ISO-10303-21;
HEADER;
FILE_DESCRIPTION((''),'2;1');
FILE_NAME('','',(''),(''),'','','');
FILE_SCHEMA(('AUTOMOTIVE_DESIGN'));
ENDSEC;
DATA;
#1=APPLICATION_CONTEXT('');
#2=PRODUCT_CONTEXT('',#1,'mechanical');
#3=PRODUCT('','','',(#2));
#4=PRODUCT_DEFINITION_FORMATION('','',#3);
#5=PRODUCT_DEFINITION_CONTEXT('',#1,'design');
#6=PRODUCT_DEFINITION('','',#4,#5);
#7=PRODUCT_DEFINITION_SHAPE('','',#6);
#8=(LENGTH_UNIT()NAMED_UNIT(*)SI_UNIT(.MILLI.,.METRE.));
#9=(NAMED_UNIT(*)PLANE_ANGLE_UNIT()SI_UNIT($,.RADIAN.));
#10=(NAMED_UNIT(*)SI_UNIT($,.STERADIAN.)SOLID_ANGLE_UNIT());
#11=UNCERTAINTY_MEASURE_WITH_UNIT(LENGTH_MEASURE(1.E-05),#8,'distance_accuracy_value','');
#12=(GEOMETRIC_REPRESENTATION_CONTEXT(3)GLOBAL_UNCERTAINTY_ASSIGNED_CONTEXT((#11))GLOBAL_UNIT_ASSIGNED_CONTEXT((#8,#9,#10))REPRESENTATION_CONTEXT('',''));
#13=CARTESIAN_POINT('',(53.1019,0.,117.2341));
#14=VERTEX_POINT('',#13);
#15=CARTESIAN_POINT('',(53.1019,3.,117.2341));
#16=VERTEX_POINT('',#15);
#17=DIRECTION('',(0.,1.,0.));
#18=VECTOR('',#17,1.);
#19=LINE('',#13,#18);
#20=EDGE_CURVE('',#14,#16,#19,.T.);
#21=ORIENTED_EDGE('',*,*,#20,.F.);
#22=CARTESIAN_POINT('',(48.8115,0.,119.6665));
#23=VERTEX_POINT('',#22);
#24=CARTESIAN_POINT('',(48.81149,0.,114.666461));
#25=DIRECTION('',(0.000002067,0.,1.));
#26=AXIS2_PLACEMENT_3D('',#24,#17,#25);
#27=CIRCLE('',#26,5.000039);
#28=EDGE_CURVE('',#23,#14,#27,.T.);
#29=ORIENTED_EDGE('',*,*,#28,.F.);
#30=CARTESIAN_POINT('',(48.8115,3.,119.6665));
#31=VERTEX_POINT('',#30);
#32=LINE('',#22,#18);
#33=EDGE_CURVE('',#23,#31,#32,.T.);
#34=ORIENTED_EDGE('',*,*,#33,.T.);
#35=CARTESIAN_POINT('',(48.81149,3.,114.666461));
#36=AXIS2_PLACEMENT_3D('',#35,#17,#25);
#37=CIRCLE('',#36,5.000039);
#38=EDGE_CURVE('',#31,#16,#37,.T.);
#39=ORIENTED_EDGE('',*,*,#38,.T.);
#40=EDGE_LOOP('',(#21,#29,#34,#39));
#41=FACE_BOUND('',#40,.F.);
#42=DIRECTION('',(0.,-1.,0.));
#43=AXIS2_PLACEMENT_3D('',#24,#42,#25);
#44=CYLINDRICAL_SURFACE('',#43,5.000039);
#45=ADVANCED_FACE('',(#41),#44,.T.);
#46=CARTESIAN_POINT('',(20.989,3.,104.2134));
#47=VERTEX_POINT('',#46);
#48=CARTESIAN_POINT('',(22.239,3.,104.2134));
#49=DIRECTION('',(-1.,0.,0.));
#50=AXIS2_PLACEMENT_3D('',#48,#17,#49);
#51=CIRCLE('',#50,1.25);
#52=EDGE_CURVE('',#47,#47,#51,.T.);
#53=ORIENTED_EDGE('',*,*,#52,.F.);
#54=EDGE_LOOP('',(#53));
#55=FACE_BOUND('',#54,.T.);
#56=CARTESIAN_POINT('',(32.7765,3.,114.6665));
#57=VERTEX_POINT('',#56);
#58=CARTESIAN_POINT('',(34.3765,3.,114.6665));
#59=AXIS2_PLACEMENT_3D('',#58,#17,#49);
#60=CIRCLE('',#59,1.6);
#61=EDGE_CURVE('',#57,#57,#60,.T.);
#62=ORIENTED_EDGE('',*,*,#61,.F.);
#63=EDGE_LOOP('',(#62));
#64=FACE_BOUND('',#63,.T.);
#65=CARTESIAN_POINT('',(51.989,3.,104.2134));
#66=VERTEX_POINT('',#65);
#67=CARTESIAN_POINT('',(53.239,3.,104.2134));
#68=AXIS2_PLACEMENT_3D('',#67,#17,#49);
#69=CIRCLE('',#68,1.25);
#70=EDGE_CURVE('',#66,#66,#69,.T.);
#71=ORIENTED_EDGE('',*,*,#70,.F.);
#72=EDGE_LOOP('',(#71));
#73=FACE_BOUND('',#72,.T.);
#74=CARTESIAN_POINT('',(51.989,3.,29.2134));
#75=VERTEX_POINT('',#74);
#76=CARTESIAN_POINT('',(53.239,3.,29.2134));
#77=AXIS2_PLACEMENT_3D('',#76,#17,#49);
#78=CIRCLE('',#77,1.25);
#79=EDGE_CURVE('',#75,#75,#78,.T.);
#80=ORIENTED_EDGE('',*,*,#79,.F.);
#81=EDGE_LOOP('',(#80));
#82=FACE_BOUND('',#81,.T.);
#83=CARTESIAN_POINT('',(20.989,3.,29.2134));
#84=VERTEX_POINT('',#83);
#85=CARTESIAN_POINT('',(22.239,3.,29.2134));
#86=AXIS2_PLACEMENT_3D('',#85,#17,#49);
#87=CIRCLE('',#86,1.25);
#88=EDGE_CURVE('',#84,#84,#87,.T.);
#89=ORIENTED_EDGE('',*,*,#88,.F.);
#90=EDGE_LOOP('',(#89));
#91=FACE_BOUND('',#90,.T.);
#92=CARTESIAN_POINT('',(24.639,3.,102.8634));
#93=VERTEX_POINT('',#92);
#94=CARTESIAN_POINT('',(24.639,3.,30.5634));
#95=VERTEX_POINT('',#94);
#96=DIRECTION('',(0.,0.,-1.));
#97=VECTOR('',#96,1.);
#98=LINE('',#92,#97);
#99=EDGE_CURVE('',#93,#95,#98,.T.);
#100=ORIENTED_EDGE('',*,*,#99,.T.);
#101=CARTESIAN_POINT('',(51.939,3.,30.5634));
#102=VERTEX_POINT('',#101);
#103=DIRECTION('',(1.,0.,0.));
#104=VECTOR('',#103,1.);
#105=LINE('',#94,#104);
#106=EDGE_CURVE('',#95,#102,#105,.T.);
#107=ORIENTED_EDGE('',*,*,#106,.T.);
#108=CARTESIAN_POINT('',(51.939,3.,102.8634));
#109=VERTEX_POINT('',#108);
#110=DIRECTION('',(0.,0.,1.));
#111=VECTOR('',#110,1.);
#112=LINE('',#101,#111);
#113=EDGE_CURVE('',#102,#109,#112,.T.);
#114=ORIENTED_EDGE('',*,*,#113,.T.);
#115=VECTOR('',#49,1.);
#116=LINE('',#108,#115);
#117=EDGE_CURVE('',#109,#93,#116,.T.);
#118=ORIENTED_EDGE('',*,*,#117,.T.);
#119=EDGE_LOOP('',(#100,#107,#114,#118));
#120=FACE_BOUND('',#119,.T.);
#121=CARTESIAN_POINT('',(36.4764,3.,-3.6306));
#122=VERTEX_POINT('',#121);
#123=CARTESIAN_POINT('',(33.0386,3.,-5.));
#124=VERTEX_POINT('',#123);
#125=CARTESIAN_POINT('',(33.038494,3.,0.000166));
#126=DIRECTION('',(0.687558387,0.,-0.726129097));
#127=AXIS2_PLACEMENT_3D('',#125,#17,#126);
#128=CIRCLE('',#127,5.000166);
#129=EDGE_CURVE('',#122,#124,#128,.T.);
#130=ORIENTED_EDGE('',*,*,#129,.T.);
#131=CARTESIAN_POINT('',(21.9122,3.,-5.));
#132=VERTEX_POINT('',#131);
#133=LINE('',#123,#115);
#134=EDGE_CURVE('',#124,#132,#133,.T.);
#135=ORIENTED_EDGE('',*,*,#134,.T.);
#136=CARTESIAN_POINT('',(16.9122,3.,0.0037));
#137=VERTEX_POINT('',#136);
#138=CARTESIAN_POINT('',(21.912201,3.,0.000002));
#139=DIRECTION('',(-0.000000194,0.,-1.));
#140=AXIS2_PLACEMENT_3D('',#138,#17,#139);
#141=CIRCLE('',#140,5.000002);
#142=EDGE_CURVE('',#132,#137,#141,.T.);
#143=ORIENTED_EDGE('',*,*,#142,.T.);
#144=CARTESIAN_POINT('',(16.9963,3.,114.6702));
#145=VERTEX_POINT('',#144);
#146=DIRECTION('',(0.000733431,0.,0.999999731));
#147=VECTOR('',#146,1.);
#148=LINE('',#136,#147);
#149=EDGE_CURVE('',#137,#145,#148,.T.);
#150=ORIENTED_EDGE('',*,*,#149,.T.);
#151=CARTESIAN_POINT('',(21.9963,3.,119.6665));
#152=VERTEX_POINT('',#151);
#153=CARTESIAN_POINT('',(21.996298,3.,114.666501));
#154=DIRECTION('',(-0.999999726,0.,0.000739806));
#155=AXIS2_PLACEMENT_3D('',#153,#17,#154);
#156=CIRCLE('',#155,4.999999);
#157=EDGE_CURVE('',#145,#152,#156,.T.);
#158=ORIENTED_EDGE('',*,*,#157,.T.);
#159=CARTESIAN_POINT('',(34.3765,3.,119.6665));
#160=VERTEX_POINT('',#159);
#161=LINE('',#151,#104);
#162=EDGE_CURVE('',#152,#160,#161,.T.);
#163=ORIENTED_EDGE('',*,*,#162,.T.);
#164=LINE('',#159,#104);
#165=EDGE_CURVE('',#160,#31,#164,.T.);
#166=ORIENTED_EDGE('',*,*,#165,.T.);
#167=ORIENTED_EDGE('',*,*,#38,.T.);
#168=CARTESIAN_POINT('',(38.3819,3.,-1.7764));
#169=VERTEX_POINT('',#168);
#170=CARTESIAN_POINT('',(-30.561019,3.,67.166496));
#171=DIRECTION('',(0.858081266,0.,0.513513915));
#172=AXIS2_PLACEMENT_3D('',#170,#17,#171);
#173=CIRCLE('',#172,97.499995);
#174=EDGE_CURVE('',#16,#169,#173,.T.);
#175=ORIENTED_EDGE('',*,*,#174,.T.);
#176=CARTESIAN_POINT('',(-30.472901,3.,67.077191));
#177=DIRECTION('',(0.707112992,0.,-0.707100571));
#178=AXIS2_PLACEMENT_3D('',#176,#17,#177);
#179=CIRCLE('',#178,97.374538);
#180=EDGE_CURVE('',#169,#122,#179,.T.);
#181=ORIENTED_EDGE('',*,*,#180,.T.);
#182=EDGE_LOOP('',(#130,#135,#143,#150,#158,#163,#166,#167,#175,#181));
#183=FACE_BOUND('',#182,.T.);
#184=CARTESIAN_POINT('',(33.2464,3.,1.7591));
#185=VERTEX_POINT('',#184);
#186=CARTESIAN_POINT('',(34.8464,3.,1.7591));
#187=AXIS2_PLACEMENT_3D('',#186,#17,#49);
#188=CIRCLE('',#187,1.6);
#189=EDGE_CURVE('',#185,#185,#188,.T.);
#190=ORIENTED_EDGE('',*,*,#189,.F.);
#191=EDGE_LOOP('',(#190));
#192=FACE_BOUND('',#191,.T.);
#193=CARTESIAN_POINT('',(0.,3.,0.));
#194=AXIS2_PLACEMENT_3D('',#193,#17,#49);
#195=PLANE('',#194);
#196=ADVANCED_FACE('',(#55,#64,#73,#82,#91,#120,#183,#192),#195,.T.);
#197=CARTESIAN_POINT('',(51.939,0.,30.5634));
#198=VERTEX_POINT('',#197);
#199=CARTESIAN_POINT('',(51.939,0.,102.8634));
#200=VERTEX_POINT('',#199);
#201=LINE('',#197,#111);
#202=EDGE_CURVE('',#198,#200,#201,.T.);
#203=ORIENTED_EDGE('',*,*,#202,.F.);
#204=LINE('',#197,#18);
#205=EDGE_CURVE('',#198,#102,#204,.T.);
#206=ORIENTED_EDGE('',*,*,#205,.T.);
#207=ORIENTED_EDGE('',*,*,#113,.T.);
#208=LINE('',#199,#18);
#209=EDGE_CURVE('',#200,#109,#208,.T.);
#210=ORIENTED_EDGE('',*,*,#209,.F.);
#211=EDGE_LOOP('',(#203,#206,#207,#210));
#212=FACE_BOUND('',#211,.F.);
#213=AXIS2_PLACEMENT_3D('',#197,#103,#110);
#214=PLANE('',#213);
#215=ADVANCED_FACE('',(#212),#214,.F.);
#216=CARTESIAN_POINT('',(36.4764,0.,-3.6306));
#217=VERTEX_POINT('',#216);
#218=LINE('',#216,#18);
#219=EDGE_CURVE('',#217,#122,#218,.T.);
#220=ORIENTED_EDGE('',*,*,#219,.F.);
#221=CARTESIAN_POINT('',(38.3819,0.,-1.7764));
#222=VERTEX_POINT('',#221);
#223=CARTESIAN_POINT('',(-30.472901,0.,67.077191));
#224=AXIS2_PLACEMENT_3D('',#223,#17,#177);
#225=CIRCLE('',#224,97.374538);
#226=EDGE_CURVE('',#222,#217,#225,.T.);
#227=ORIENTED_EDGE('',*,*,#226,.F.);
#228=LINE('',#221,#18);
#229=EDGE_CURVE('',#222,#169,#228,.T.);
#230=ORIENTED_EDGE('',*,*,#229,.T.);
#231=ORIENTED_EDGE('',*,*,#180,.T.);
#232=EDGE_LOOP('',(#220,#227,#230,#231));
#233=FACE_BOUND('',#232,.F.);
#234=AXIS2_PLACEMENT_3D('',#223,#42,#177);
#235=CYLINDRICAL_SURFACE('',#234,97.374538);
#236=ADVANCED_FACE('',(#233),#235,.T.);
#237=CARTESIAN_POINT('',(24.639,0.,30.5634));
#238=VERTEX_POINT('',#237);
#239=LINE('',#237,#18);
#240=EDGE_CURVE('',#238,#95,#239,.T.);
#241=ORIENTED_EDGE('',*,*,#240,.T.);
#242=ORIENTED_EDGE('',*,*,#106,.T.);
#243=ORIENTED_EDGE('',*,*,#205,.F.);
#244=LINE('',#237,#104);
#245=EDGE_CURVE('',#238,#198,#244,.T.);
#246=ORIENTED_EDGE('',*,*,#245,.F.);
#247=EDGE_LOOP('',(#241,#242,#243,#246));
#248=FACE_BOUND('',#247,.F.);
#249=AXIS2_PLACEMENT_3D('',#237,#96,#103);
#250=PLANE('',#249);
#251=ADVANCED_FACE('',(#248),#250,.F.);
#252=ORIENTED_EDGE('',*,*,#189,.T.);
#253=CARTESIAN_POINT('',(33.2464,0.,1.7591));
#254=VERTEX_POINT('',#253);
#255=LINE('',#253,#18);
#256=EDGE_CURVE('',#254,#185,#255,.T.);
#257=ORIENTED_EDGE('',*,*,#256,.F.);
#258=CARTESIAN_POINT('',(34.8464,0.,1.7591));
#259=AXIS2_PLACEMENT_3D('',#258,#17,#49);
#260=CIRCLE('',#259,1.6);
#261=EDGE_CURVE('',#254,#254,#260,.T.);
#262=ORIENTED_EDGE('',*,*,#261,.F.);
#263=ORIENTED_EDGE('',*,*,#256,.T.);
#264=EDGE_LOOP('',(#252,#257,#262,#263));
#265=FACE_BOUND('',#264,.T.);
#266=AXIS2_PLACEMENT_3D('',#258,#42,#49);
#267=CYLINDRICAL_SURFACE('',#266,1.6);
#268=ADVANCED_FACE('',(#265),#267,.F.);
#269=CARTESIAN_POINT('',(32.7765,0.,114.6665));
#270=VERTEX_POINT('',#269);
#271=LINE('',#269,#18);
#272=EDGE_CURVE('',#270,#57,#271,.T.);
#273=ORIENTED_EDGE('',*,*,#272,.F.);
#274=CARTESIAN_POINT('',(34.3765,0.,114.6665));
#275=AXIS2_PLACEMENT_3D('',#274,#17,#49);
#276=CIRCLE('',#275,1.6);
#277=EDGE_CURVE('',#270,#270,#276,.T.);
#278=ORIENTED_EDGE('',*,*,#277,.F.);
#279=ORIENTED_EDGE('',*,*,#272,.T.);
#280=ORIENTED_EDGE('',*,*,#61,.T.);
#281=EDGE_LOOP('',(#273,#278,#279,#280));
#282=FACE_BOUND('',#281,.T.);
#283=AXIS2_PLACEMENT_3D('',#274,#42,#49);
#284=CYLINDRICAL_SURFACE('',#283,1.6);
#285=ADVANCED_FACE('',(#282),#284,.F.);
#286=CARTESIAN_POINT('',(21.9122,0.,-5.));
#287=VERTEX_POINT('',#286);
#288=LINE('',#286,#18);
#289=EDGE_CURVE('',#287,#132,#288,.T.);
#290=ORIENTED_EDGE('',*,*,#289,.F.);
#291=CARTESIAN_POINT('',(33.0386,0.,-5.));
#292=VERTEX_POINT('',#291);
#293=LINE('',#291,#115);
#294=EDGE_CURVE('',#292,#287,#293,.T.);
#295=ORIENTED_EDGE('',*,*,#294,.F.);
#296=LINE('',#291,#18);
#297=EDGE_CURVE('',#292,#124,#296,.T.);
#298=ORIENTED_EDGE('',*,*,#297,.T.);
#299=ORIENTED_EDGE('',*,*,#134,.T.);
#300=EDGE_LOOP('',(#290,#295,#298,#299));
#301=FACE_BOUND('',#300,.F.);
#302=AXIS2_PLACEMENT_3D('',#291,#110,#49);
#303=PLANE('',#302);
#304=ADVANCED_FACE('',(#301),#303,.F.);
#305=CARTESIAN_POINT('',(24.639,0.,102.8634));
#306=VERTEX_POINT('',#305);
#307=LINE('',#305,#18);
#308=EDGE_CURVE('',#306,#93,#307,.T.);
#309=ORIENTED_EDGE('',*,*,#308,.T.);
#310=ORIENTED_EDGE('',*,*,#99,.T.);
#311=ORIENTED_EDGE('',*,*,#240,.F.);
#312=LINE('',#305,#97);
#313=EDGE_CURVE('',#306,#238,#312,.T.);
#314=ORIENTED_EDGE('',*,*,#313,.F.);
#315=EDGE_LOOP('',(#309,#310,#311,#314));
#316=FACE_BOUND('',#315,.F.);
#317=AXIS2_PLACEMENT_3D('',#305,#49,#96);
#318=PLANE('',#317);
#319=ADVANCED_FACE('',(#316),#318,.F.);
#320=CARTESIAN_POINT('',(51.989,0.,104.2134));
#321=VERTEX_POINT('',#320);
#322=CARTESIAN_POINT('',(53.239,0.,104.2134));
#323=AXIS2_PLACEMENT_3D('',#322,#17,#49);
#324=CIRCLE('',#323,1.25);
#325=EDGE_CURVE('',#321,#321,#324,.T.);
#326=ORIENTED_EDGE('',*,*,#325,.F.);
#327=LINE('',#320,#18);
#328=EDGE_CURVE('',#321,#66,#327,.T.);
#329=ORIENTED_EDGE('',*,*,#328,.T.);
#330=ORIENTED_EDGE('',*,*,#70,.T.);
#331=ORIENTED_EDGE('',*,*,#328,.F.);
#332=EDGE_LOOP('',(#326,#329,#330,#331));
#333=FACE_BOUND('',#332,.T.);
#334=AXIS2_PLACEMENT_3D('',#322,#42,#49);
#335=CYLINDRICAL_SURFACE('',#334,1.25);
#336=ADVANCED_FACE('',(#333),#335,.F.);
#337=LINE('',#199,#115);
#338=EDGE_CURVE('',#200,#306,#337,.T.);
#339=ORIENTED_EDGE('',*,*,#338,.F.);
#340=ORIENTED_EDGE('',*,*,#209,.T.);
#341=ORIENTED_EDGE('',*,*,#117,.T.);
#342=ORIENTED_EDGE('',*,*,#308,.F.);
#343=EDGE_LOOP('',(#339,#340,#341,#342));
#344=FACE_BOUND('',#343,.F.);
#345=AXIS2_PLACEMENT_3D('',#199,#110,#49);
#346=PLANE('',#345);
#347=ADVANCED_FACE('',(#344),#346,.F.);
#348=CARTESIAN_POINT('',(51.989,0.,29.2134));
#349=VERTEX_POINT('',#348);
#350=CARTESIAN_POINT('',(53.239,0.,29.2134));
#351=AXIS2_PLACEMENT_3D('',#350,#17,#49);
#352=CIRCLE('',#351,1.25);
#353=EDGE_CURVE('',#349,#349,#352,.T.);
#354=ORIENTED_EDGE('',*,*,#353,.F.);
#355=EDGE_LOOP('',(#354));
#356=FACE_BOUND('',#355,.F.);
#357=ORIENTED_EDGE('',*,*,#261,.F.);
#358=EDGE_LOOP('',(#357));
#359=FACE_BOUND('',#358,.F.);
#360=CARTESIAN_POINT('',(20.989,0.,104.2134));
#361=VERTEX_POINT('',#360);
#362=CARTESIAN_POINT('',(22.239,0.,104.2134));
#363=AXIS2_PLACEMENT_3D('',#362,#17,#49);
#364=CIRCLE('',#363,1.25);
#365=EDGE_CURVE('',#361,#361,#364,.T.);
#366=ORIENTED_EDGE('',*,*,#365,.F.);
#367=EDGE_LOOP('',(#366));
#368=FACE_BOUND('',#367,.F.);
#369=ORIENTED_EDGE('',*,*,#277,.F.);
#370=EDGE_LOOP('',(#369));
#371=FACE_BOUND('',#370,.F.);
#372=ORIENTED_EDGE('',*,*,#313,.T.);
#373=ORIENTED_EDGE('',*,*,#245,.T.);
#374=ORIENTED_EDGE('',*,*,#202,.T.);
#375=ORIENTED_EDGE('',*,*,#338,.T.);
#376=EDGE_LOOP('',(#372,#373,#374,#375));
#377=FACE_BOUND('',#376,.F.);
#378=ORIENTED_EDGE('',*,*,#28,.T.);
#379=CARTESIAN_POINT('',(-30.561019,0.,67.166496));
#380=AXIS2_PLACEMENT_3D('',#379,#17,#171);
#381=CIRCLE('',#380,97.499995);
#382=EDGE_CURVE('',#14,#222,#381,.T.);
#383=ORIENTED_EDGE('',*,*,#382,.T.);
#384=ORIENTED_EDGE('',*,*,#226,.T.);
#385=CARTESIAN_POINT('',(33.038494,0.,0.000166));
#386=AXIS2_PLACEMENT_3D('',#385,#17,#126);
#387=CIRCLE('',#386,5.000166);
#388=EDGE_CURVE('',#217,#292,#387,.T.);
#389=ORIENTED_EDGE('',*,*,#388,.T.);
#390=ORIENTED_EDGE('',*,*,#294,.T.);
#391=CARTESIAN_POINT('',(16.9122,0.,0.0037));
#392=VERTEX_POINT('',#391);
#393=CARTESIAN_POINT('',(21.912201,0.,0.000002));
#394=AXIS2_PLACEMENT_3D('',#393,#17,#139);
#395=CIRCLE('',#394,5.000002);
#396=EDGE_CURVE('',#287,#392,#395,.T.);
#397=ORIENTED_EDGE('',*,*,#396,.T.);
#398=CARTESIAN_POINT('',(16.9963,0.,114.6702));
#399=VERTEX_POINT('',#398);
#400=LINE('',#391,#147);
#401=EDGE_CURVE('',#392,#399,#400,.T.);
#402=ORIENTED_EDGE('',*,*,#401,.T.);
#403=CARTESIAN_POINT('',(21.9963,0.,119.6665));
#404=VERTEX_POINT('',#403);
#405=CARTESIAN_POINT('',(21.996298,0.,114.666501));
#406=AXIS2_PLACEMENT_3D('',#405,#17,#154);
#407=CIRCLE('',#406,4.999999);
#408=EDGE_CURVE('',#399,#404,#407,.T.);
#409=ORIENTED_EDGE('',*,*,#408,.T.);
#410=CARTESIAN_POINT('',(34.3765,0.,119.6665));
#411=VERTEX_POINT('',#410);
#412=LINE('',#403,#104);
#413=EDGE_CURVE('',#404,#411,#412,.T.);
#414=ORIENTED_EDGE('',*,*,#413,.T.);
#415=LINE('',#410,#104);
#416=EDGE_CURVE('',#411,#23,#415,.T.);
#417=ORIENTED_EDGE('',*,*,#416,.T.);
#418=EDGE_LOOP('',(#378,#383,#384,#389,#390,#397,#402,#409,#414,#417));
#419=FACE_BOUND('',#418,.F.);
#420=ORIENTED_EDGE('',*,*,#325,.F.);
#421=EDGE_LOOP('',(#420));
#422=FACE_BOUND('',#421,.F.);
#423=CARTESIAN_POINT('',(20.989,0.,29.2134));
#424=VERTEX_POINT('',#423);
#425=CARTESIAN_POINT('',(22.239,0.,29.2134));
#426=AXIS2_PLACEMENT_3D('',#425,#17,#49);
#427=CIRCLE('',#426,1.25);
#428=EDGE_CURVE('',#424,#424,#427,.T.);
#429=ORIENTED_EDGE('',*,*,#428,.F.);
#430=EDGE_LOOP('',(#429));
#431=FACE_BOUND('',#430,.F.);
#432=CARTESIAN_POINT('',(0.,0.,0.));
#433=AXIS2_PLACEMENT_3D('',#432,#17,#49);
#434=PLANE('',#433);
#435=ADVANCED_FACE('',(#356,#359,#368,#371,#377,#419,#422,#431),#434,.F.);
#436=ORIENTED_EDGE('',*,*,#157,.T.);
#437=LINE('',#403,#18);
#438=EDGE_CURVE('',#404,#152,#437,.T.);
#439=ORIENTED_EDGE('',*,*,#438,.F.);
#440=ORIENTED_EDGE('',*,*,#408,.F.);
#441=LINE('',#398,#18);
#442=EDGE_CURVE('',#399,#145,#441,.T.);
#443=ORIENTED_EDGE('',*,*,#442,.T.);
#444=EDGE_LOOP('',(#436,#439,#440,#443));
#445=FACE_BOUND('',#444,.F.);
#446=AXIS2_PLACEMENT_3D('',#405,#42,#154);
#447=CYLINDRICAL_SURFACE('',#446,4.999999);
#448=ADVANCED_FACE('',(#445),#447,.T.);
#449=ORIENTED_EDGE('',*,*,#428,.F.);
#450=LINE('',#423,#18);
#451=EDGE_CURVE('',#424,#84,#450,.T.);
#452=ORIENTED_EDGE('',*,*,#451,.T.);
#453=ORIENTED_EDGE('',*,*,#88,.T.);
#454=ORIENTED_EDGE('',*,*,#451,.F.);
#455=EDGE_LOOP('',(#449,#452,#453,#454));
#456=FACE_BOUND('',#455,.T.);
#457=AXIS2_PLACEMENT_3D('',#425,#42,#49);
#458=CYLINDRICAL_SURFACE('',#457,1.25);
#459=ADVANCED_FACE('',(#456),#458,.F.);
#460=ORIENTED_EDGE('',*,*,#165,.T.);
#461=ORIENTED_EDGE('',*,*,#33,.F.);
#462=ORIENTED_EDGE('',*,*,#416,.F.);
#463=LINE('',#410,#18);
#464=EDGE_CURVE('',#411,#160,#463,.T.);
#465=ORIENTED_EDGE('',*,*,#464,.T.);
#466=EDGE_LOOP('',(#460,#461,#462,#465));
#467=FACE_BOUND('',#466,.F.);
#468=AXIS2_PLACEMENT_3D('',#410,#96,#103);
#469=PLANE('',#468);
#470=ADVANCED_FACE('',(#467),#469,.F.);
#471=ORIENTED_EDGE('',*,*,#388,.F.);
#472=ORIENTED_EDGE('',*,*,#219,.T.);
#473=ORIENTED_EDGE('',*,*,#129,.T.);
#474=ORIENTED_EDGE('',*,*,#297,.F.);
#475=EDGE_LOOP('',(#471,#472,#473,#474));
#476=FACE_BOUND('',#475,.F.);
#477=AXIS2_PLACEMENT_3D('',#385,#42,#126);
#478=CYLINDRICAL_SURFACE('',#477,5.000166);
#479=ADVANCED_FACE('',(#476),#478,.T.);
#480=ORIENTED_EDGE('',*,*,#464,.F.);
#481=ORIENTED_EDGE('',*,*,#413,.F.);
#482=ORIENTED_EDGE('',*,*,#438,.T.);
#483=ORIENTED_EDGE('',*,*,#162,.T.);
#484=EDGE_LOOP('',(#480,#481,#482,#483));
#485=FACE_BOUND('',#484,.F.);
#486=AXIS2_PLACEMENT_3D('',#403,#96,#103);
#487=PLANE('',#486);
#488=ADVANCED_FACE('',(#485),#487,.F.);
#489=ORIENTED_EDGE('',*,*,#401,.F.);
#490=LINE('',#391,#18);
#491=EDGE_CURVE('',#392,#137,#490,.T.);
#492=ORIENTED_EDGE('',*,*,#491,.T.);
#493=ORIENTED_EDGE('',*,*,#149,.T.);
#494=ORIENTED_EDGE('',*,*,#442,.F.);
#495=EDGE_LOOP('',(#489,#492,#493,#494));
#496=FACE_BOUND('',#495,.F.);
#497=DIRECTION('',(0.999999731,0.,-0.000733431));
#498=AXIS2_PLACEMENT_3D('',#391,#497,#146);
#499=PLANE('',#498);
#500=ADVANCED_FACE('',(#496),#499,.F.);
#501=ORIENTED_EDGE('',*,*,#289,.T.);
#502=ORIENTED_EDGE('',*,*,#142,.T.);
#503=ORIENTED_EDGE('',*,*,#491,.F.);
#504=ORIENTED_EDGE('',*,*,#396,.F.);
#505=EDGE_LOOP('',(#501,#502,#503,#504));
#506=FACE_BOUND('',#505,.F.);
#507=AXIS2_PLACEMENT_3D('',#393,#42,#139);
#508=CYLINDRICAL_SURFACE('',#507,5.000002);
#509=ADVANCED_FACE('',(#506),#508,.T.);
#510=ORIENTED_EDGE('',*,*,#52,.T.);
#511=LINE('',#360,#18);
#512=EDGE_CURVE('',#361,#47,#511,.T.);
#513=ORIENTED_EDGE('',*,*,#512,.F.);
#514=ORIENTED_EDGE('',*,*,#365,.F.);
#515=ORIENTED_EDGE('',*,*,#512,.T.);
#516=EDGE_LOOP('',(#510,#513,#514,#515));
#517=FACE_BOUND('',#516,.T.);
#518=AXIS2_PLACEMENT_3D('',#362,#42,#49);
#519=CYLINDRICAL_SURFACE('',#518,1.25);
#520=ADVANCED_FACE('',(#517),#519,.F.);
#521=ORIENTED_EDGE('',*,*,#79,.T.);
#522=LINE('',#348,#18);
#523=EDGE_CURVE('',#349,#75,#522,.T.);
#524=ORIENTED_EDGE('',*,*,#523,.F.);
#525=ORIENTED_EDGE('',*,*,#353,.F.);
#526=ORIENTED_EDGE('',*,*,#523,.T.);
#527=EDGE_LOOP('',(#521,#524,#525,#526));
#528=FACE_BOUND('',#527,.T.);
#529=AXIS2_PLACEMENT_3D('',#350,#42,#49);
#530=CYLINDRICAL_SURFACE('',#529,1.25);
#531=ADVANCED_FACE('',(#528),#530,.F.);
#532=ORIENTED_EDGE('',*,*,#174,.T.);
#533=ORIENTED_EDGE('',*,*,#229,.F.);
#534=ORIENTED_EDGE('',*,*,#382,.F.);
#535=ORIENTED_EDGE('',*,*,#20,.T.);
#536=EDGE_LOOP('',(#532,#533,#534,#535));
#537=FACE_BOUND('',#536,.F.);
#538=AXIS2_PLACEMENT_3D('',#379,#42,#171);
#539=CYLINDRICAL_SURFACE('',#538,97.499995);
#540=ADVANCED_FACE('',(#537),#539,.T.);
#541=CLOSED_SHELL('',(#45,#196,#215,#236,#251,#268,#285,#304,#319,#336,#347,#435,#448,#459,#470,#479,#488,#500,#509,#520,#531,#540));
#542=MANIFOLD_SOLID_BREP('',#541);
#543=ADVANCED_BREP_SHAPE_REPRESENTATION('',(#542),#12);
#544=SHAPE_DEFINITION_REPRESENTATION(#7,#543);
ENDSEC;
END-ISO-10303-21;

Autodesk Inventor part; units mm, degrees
ref_plane "YZ Plane" through (0, 0, 0) normal (1, 0, 0) x (0, 1, 0)
ref_plane "XZ Plane" through (0, 0, 0) normal (0, 1, 0) x (-1, 0, 0)
ref_plane "XY Plane" through (0, 0, 0) normal (0, 0, 1) x (1, 0, 0)
sketch "Sketch1" plane through (0, 0, 0) normal (0, 1, 0) x (-1, 0, 0)
  circle A0 centre (-34.3765, 114.6665) radius 1.6
  circle A1 centre (-34.8464, 1.7591) radius 1.6
  arc A2 (-53.1019, 117.2341) -> (-38.3819, -1.7764) centre (30.561, 67.1665) ccw
  line L0 (-34.3765, 119.6665) -> (-48.8115, 119.6665)
  arc A3 (-38.3819, -1.7764) -> (-36.4764, -3.6306) centre (30.561, 67.1665) ccw
  line L1 (-33.0386, -5) -> (-21.9122, -5)
  line L2 (-16.9122, 0.0037) -> (-16.9963, 114.6702)
  line L3 (-21.9963, 119.6665) -> (-34.3765, 119.6665)
  arc A4 (-48.8115, 119.6665) -> (-53.1019, 117.2341) centre (-48.8115, 114.6665) ccw
  arc A5 (-36.4764, -3.6306) -> (-33.0386, -5) centre (-33.0386, 0) ccw
  circle A6 centre (-22.239, 104.2134) radius 1.25
  circle A7 centre (-53.239, 104.2134) radius 1.25
  circle A8 centre (-53.239, 29.2134) radius 1.25
  circle A9 centre (-22.239, 29.2134) radius 1.25
  line L4 (-24.639, 102.8634) -> (-24.639, 30.5634)
  line L5 (-24.639, 30.5634) -> (-51.939, 30.5634)
  line L6 (-51.939, 30.5634) -> (-51.939, 102.8634)
  line L7 (-51.939, 102.8634) -> (-24.639, 102.8634)
  arc A10 (-21.9122, -5) -> (-16.9122, 0.0037) centre (-21.9122, 0) ccw
  arc A11 (-16.9963, 114.6702) -> (-21.9963, 119.6665) centre (-21.9963, 114.6665) ccw
  point P0 (0, 0)
extrude "Extrusion1" add sketch "Sketch1" along normal blind 3
properties part number "LCD Plate" material "Polycarbonate, Clear"
